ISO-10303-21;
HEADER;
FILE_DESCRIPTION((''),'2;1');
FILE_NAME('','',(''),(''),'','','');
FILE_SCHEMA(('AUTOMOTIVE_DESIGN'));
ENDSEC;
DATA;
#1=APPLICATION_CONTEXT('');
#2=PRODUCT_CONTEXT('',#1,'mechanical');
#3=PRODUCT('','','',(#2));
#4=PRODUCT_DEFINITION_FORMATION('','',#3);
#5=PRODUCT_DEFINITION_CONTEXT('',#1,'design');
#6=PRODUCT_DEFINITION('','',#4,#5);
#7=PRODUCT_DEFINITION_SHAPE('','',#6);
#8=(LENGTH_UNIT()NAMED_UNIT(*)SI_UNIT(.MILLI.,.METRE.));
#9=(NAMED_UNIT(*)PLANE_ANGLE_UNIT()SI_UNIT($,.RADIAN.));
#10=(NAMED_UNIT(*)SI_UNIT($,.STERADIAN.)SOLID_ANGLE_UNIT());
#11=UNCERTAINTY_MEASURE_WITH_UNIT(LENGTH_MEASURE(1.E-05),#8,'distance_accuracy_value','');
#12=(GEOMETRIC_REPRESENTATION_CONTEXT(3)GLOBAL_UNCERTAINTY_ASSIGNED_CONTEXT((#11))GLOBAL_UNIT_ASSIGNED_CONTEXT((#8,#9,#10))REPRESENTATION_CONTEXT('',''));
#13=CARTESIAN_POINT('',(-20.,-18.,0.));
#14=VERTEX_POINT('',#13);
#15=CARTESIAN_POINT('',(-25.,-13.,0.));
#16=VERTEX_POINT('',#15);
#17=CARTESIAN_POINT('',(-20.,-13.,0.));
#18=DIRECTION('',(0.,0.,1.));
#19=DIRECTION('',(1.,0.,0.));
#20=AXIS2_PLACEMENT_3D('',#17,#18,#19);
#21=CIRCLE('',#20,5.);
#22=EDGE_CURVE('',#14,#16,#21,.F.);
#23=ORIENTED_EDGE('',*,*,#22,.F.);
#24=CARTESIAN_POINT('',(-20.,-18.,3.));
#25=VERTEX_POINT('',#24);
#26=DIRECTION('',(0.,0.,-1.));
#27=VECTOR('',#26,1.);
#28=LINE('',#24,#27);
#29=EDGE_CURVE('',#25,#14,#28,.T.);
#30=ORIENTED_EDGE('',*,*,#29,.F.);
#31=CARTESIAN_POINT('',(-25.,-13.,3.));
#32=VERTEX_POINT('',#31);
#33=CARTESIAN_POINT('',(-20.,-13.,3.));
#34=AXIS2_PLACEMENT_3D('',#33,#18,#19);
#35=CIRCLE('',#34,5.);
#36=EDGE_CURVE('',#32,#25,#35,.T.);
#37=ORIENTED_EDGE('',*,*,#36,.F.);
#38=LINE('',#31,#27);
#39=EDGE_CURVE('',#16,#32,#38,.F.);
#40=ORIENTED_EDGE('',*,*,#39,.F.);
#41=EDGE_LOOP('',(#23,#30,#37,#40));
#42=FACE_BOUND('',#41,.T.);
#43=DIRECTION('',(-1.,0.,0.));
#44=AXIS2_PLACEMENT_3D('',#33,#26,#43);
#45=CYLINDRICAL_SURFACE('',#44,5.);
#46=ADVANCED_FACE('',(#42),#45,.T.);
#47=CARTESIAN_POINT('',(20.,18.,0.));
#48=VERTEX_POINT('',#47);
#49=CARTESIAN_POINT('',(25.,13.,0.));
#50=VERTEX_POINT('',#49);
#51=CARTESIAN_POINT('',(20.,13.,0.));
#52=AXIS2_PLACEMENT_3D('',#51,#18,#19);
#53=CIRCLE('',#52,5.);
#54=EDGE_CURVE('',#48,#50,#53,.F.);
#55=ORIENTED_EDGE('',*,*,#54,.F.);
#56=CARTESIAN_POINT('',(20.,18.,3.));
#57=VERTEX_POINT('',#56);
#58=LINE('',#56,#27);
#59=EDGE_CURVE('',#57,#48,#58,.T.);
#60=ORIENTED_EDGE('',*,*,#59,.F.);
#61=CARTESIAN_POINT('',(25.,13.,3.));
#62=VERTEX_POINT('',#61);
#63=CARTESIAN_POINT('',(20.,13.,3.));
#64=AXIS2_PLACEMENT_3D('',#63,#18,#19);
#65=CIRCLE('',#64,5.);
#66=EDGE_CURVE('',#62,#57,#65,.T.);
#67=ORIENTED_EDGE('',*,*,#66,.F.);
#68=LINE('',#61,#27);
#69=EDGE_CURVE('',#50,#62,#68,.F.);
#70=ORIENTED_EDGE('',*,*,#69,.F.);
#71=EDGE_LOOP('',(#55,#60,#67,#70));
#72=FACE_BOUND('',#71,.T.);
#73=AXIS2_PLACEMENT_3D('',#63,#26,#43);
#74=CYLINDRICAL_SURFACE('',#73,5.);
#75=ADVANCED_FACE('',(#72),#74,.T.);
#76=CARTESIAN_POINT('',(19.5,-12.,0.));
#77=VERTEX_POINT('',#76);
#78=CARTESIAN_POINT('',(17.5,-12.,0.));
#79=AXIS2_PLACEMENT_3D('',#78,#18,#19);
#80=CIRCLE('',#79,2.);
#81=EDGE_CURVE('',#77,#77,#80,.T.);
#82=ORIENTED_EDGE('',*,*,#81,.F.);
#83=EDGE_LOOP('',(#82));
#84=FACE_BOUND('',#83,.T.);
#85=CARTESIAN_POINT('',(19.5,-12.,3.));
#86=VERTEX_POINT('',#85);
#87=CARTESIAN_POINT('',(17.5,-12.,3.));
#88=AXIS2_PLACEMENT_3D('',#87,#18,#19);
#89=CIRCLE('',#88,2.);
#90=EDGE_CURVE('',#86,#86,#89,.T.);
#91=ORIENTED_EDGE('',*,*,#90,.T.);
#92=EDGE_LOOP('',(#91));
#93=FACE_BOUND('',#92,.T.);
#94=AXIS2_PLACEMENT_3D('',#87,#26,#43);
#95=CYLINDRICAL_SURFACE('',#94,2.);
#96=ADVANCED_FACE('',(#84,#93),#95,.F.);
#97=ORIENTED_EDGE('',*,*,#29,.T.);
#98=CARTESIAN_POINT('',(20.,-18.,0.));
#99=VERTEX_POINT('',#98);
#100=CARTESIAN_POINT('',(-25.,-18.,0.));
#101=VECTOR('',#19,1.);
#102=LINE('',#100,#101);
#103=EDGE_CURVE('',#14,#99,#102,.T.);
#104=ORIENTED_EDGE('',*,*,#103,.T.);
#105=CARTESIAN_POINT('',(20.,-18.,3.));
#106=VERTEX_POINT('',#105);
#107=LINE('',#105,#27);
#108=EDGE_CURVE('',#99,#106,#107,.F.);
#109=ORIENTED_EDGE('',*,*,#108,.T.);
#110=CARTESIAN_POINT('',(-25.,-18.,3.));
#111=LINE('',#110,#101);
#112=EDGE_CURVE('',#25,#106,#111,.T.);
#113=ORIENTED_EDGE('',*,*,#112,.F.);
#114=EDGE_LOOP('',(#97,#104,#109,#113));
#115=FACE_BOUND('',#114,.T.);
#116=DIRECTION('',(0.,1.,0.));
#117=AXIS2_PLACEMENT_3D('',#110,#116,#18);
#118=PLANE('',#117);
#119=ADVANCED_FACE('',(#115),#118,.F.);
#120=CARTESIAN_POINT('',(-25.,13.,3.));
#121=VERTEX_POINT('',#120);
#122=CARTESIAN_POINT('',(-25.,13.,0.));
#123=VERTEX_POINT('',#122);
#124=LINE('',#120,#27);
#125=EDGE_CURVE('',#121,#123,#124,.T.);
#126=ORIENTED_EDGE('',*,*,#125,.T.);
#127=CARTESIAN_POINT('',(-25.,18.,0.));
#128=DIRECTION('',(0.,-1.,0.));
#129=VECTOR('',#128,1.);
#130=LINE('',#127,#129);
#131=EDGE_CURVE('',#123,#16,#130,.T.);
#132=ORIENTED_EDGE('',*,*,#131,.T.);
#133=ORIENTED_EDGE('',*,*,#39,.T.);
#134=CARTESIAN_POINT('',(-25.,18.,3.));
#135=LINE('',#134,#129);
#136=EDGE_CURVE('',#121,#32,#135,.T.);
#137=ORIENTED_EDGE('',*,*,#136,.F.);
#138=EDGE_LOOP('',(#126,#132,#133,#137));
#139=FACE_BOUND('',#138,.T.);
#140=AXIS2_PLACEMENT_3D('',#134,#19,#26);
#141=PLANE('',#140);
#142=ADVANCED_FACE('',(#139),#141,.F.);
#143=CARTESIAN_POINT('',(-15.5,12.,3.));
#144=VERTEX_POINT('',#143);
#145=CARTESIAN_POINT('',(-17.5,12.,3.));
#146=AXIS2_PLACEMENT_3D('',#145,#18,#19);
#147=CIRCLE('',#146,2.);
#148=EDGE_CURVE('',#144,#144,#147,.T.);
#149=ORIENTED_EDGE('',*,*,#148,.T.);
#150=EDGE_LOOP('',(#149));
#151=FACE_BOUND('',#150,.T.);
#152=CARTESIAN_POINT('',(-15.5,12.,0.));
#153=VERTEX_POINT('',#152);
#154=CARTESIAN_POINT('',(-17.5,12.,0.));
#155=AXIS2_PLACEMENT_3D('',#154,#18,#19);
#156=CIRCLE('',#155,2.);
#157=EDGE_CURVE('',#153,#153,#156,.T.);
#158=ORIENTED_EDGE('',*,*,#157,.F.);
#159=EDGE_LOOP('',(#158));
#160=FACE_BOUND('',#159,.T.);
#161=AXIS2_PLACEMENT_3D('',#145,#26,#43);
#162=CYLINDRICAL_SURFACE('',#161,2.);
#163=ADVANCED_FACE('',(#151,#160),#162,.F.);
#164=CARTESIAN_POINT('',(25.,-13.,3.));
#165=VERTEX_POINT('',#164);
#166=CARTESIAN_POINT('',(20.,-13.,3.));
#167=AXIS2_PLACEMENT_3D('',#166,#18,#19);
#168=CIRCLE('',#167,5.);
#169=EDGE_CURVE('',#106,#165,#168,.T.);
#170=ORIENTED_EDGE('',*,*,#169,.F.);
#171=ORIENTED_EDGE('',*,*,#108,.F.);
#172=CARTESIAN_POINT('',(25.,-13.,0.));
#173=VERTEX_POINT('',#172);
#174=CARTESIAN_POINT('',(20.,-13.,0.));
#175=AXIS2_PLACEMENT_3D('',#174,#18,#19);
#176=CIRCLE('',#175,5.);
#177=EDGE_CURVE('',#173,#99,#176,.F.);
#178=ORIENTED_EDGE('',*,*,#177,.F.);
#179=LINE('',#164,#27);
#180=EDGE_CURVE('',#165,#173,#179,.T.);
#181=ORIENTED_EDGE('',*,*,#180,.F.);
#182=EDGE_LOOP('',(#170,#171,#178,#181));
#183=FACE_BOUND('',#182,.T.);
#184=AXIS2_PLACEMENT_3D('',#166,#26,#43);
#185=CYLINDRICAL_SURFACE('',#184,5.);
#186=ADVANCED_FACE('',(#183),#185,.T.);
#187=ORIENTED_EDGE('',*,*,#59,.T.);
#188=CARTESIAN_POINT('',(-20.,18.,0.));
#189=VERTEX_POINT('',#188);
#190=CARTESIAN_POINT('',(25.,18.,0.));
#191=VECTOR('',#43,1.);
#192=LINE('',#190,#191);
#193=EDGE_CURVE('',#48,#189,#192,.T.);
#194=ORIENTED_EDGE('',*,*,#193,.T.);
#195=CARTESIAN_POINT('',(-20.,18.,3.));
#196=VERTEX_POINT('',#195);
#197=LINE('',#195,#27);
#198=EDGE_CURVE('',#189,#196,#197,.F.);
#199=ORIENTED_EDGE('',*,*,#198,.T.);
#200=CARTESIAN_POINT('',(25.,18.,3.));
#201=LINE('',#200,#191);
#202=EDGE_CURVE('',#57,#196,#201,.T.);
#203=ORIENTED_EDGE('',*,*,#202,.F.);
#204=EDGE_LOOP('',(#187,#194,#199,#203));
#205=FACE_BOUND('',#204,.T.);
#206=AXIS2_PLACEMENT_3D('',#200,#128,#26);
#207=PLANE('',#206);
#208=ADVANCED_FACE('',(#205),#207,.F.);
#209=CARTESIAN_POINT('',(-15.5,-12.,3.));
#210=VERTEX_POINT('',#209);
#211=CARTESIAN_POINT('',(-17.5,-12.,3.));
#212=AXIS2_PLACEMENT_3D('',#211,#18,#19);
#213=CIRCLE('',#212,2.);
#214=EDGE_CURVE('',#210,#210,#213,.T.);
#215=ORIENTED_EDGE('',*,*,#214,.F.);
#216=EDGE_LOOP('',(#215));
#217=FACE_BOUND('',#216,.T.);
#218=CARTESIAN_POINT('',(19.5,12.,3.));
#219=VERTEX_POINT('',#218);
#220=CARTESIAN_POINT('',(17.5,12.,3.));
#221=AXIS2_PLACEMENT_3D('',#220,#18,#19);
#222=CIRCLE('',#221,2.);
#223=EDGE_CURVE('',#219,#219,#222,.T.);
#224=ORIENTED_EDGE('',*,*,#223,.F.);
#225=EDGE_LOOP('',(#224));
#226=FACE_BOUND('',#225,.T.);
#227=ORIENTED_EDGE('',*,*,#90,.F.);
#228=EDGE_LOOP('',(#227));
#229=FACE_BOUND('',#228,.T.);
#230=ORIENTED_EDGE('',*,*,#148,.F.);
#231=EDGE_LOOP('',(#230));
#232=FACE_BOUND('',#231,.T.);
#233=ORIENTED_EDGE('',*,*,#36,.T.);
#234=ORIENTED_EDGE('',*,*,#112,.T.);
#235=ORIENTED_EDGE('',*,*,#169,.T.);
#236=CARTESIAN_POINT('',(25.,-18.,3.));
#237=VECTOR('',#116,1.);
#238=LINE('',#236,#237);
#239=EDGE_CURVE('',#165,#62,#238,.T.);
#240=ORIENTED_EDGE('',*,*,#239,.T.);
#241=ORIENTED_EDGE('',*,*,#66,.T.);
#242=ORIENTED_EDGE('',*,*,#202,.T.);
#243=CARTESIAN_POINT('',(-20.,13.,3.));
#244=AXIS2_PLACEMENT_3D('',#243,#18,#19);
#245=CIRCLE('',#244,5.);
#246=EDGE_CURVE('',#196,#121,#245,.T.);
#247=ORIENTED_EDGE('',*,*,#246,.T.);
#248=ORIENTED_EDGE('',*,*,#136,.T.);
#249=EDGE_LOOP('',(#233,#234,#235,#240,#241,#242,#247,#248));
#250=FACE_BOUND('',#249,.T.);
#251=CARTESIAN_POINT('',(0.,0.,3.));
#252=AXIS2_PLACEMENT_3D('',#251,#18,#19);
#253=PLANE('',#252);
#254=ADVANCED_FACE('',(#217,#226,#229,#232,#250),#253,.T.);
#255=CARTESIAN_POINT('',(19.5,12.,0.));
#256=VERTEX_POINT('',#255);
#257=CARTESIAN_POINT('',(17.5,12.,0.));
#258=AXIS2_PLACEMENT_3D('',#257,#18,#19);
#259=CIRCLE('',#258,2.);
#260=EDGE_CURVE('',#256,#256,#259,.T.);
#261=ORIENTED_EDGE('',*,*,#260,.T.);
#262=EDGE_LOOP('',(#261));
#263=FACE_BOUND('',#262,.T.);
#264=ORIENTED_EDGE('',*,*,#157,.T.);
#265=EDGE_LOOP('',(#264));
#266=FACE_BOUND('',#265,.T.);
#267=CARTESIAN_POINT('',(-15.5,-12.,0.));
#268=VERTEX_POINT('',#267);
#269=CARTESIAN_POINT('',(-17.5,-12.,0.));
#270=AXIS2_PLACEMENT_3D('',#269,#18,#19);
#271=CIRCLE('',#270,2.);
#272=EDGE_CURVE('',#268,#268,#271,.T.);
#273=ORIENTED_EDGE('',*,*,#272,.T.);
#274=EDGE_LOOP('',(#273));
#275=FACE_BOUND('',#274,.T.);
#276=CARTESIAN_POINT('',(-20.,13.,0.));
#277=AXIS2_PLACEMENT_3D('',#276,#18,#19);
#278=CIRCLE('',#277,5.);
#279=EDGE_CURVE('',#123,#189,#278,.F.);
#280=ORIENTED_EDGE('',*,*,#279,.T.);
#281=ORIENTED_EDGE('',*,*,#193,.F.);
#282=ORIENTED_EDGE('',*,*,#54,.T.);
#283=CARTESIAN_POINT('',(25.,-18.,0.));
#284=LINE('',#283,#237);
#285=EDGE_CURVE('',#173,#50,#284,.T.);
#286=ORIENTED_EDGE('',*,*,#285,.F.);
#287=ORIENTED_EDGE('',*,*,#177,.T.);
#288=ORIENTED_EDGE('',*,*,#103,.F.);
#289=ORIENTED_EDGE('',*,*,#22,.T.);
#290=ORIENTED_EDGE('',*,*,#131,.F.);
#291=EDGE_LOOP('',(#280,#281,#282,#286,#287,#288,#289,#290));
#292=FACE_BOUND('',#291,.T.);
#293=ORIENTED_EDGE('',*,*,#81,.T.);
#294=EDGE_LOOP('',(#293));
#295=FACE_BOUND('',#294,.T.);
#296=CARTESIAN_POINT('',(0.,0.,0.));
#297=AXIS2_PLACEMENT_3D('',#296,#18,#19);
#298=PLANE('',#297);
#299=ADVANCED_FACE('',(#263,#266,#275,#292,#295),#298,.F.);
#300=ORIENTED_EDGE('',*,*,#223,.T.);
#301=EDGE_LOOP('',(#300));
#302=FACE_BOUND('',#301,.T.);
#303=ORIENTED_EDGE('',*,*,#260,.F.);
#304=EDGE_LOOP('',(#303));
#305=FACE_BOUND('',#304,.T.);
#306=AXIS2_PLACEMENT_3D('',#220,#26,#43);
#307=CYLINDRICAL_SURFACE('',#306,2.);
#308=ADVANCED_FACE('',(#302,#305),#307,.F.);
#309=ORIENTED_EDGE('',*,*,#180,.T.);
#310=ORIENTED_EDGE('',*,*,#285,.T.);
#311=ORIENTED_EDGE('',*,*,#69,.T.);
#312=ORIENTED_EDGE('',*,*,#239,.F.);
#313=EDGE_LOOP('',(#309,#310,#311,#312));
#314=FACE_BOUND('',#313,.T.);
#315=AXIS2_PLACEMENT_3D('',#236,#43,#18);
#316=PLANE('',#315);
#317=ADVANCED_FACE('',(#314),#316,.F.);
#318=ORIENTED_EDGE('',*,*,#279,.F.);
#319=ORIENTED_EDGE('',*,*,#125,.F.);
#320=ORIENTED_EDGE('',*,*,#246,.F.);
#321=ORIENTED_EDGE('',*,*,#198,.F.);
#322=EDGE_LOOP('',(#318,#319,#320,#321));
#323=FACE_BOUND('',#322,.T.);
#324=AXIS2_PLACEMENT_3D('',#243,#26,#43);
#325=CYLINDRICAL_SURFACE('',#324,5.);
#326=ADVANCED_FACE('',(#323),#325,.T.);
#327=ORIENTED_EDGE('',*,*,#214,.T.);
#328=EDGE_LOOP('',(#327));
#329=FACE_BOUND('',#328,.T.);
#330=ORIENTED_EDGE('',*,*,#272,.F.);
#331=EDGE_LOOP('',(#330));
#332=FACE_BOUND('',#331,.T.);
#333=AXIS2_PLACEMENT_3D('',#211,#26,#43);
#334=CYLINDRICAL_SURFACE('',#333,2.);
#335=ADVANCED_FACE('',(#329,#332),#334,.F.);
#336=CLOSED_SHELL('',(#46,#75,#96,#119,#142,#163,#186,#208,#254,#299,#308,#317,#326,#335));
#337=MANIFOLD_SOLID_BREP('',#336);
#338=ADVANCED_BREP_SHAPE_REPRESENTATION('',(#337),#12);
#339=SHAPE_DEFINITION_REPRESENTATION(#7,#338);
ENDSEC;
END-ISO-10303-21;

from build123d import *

# Parameters (mm, degrees)
SKETCH_1_W      = 50
SKETCH_1_H      = 36
SKETCH_1_R      = 2
EXTRUDE_1_DEPTH = 3
FILLET_1_R      = 5


with BuildPart() as part:
    # 草图1 → 凸台-拉伸1 (new body)
    with BuildSketch(Plane.XY):
        Rectangle(SKETCH_1_W, SKETCH_1_H)
        with Locations((17.5, -12)):
            Circle(SKETCH_1_R, mode=Mode.SUBTRACT)
        with Locations((-17.5, -12)):
            Circle(SKETCH_1_R, mode=Mode.SUBTRACT)
        with Locations((17.5, 12)):
            Circle(SKETCH_1_R, mode=Mode.SUBTRACT)
        with Locations((-17.5, 12)):
            Circle(SKETCH_1_R, mode=Mode.SUBTRACT)
    extrude(amount=EXTRUDE_1_DEPTH)

    # 圆角1
    fillet_1_edges = [part.edges().sort_by_distance(p)[0] for p in [
        (25, -18, 1.5),
        (-25, -18, 1.5),
        (-25, 18, 1.5),
        (25, 18, 1.5),
    ]]
    fillet(fillet_1_edges, radius=FILLET_1_R)


solid = part.part
